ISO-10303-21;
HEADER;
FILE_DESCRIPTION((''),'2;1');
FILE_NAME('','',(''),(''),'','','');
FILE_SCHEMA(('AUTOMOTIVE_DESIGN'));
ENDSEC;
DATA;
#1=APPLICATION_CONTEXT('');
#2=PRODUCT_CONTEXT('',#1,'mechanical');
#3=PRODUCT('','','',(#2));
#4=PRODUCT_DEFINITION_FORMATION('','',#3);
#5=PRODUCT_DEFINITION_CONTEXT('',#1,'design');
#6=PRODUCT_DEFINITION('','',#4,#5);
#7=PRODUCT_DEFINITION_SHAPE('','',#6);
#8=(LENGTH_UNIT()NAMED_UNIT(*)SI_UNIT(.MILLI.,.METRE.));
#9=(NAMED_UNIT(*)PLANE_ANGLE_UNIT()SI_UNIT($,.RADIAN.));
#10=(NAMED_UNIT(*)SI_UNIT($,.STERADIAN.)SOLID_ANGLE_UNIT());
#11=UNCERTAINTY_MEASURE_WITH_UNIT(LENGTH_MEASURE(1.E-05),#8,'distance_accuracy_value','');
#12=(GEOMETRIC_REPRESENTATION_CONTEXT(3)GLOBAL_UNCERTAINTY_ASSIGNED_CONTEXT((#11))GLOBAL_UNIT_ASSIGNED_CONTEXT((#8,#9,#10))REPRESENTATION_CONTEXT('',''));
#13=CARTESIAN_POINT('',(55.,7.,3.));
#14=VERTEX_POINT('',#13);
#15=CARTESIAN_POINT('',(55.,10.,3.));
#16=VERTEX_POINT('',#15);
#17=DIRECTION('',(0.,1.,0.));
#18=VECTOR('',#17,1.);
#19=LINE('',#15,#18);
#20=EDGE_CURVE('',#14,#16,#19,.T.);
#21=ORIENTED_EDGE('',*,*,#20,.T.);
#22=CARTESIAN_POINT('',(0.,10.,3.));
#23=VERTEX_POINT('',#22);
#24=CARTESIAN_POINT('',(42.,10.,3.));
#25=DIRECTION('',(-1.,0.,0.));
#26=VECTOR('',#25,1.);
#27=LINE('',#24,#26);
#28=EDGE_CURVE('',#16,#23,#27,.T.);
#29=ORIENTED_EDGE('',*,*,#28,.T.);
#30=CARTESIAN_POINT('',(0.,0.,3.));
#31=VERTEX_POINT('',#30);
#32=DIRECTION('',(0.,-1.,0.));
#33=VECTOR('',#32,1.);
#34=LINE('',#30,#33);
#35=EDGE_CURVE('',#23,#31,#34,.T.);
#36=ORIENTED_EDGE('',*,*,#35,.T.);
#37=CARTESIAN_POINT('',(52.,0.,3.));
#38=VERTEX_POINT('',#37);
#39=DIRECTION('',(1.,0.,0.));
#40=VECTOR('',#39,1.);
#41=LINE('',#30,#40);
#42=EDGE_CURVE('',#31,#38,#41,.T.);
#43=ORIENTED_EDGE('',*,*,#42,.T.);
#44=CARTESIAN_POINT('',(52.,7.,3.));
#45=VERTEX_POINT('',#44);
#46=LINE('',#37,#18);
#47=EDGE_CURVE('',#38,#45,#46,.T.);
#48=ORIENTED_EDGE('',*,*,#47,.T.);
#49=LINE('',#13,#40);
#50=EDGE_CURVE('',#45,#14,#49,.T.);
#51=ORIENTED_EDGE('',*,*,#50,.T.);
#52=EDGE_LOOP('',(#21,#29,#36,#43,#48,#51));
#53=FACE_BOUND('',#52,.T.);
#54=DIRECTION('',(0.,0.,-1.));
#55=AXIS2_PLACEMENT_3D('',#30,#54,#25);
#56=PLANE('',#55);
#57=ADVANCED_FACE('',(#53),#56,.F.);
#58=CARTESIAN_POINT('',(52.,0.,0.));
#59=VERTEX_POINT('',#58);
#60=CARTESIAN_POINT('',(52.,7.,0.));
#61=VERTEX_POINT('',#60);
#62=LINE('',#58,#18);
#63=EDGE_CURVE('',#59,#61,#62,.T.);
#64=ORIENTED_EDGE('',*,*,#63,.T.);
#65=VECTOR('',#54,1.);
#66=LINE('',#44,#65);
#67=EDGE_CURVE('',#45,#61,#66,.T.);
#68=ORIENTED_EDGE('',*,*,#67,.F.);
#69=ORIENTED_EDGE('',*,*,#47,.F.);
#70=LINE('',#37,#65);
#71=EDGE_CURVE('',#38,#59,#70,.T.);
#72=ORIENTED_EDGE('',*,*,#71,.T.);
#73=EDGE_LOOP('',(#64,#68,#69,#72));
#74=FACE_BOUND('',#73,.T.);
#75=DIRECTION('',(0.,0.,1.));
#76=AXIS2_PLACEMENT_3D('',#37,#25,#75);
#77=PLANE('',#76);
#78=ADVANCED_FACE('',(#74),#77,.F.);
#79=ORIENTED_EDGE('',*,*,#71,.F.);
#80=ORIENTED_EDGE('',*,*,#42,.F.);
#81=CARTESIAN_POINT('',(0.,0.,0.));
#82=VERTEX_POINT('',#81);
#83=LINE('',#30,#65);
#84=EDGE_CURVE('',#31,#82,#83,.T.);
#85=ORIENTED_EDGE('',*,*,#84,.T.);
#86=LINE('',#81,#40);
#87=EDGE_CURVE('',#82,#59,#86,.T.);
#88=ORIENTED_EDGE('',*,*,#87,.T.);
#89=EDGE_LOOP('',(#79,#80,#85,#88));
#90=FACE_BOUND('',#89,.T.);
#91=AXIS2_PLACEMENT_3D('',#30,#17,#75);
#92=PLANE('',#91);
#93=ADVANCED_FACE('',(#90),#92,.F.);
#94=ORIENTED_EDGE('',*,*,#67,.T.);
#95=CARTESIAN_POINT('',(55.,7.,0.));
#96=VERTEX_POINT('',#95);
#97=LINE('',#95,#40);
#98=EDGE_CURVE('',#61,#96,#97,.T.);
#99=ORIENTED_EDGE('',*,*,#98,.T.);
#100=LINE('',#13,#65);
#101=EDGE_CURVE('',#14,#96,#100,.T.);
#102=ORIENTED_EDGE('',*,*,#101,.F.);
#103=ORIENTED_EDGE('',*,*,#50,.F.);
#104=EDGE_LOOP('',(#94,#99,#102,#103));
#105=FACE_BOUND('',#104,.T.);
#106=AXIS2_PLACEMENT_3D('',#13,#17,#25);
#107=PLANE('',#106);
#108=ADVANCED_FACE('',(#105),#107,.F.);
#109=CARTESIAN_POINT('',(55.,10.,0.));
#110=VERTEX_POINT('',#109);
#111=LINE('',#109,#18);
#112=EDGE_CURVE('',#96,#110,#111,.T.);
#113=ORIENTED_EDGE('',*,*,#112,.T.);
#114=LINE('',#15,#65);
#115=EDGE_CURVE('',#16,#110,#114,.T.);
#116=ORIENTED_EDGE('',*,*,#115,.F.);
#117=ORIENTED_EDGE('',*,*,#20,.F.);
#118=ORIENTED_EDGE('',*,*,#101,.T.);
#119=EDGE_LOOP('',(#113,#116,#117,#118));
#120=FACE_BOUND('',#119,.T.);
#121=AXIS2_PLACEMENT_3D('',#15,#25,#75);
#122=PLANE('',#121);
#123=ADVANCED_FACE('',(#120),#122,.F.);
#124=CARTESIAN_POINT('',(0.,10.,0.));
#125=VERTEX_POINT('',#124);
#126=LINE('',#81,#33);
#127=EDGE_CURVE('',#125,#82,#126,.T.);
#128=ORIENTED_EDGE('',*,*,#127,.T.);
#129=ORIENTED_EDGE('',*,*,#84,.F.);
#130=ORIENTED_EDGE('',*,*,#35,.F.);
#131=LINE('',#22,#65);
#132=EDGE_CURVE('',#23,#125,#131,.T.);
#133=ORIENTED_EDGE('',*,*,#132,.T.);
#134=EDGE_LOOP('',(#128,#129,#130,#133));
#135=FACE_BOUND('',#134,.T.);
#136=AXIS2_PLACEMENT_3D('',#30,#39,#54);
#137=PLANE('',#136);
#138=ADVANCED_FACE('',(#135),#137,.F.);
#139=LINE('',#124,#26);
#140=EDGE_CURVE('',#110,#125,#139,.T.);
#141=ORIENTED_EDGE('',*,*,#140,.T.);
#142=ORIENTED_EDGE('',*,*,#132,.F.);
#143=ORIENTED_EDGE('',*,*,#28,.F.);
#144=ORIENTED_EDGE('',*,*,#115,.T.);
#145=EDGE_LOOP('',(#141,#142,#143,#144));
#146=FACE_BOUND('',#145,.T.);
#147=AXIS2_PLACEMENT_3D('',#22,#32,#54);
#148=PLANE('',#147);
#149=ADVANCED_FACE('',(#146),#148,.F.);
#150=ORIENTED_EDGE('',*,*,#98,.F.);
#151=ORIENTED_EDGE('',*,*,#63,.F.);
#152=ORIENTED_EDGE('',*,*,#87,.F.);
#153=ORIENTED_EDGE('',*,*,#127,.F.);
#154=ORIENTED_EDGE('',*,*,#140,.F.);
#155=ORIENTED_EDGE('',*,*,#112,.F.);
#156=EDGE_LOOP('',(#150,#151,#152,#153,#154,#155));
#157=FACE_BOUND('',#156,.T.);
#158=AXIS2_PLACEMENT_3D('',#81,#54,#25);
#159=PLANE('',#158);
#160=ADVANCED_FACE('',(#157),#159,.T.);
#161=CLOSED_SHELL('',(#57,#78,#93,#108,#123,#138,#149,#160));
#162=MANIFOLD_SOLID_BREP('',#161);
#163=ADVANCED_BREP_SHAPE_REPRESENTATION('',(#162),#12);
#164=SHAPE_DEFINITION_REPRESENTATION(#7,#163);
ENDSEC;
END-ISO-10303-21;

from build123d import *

# Parameters (mm, degrees)
BOSS_EXTRUDE1_DEPTH = 3


with BuildPart() as part:
    # Sketch1 → Boss-Extrude1 (new body)
    with BuildSketch(Plane.XY):
        Polygon((42, 10), (55, 10), (55, 7), (52, 7), (52, 0), (0, 0), (0, 10), align=None)
    extrude(amount=BOSS_EXTRUDE1_DEPTH)


solid = part.part
